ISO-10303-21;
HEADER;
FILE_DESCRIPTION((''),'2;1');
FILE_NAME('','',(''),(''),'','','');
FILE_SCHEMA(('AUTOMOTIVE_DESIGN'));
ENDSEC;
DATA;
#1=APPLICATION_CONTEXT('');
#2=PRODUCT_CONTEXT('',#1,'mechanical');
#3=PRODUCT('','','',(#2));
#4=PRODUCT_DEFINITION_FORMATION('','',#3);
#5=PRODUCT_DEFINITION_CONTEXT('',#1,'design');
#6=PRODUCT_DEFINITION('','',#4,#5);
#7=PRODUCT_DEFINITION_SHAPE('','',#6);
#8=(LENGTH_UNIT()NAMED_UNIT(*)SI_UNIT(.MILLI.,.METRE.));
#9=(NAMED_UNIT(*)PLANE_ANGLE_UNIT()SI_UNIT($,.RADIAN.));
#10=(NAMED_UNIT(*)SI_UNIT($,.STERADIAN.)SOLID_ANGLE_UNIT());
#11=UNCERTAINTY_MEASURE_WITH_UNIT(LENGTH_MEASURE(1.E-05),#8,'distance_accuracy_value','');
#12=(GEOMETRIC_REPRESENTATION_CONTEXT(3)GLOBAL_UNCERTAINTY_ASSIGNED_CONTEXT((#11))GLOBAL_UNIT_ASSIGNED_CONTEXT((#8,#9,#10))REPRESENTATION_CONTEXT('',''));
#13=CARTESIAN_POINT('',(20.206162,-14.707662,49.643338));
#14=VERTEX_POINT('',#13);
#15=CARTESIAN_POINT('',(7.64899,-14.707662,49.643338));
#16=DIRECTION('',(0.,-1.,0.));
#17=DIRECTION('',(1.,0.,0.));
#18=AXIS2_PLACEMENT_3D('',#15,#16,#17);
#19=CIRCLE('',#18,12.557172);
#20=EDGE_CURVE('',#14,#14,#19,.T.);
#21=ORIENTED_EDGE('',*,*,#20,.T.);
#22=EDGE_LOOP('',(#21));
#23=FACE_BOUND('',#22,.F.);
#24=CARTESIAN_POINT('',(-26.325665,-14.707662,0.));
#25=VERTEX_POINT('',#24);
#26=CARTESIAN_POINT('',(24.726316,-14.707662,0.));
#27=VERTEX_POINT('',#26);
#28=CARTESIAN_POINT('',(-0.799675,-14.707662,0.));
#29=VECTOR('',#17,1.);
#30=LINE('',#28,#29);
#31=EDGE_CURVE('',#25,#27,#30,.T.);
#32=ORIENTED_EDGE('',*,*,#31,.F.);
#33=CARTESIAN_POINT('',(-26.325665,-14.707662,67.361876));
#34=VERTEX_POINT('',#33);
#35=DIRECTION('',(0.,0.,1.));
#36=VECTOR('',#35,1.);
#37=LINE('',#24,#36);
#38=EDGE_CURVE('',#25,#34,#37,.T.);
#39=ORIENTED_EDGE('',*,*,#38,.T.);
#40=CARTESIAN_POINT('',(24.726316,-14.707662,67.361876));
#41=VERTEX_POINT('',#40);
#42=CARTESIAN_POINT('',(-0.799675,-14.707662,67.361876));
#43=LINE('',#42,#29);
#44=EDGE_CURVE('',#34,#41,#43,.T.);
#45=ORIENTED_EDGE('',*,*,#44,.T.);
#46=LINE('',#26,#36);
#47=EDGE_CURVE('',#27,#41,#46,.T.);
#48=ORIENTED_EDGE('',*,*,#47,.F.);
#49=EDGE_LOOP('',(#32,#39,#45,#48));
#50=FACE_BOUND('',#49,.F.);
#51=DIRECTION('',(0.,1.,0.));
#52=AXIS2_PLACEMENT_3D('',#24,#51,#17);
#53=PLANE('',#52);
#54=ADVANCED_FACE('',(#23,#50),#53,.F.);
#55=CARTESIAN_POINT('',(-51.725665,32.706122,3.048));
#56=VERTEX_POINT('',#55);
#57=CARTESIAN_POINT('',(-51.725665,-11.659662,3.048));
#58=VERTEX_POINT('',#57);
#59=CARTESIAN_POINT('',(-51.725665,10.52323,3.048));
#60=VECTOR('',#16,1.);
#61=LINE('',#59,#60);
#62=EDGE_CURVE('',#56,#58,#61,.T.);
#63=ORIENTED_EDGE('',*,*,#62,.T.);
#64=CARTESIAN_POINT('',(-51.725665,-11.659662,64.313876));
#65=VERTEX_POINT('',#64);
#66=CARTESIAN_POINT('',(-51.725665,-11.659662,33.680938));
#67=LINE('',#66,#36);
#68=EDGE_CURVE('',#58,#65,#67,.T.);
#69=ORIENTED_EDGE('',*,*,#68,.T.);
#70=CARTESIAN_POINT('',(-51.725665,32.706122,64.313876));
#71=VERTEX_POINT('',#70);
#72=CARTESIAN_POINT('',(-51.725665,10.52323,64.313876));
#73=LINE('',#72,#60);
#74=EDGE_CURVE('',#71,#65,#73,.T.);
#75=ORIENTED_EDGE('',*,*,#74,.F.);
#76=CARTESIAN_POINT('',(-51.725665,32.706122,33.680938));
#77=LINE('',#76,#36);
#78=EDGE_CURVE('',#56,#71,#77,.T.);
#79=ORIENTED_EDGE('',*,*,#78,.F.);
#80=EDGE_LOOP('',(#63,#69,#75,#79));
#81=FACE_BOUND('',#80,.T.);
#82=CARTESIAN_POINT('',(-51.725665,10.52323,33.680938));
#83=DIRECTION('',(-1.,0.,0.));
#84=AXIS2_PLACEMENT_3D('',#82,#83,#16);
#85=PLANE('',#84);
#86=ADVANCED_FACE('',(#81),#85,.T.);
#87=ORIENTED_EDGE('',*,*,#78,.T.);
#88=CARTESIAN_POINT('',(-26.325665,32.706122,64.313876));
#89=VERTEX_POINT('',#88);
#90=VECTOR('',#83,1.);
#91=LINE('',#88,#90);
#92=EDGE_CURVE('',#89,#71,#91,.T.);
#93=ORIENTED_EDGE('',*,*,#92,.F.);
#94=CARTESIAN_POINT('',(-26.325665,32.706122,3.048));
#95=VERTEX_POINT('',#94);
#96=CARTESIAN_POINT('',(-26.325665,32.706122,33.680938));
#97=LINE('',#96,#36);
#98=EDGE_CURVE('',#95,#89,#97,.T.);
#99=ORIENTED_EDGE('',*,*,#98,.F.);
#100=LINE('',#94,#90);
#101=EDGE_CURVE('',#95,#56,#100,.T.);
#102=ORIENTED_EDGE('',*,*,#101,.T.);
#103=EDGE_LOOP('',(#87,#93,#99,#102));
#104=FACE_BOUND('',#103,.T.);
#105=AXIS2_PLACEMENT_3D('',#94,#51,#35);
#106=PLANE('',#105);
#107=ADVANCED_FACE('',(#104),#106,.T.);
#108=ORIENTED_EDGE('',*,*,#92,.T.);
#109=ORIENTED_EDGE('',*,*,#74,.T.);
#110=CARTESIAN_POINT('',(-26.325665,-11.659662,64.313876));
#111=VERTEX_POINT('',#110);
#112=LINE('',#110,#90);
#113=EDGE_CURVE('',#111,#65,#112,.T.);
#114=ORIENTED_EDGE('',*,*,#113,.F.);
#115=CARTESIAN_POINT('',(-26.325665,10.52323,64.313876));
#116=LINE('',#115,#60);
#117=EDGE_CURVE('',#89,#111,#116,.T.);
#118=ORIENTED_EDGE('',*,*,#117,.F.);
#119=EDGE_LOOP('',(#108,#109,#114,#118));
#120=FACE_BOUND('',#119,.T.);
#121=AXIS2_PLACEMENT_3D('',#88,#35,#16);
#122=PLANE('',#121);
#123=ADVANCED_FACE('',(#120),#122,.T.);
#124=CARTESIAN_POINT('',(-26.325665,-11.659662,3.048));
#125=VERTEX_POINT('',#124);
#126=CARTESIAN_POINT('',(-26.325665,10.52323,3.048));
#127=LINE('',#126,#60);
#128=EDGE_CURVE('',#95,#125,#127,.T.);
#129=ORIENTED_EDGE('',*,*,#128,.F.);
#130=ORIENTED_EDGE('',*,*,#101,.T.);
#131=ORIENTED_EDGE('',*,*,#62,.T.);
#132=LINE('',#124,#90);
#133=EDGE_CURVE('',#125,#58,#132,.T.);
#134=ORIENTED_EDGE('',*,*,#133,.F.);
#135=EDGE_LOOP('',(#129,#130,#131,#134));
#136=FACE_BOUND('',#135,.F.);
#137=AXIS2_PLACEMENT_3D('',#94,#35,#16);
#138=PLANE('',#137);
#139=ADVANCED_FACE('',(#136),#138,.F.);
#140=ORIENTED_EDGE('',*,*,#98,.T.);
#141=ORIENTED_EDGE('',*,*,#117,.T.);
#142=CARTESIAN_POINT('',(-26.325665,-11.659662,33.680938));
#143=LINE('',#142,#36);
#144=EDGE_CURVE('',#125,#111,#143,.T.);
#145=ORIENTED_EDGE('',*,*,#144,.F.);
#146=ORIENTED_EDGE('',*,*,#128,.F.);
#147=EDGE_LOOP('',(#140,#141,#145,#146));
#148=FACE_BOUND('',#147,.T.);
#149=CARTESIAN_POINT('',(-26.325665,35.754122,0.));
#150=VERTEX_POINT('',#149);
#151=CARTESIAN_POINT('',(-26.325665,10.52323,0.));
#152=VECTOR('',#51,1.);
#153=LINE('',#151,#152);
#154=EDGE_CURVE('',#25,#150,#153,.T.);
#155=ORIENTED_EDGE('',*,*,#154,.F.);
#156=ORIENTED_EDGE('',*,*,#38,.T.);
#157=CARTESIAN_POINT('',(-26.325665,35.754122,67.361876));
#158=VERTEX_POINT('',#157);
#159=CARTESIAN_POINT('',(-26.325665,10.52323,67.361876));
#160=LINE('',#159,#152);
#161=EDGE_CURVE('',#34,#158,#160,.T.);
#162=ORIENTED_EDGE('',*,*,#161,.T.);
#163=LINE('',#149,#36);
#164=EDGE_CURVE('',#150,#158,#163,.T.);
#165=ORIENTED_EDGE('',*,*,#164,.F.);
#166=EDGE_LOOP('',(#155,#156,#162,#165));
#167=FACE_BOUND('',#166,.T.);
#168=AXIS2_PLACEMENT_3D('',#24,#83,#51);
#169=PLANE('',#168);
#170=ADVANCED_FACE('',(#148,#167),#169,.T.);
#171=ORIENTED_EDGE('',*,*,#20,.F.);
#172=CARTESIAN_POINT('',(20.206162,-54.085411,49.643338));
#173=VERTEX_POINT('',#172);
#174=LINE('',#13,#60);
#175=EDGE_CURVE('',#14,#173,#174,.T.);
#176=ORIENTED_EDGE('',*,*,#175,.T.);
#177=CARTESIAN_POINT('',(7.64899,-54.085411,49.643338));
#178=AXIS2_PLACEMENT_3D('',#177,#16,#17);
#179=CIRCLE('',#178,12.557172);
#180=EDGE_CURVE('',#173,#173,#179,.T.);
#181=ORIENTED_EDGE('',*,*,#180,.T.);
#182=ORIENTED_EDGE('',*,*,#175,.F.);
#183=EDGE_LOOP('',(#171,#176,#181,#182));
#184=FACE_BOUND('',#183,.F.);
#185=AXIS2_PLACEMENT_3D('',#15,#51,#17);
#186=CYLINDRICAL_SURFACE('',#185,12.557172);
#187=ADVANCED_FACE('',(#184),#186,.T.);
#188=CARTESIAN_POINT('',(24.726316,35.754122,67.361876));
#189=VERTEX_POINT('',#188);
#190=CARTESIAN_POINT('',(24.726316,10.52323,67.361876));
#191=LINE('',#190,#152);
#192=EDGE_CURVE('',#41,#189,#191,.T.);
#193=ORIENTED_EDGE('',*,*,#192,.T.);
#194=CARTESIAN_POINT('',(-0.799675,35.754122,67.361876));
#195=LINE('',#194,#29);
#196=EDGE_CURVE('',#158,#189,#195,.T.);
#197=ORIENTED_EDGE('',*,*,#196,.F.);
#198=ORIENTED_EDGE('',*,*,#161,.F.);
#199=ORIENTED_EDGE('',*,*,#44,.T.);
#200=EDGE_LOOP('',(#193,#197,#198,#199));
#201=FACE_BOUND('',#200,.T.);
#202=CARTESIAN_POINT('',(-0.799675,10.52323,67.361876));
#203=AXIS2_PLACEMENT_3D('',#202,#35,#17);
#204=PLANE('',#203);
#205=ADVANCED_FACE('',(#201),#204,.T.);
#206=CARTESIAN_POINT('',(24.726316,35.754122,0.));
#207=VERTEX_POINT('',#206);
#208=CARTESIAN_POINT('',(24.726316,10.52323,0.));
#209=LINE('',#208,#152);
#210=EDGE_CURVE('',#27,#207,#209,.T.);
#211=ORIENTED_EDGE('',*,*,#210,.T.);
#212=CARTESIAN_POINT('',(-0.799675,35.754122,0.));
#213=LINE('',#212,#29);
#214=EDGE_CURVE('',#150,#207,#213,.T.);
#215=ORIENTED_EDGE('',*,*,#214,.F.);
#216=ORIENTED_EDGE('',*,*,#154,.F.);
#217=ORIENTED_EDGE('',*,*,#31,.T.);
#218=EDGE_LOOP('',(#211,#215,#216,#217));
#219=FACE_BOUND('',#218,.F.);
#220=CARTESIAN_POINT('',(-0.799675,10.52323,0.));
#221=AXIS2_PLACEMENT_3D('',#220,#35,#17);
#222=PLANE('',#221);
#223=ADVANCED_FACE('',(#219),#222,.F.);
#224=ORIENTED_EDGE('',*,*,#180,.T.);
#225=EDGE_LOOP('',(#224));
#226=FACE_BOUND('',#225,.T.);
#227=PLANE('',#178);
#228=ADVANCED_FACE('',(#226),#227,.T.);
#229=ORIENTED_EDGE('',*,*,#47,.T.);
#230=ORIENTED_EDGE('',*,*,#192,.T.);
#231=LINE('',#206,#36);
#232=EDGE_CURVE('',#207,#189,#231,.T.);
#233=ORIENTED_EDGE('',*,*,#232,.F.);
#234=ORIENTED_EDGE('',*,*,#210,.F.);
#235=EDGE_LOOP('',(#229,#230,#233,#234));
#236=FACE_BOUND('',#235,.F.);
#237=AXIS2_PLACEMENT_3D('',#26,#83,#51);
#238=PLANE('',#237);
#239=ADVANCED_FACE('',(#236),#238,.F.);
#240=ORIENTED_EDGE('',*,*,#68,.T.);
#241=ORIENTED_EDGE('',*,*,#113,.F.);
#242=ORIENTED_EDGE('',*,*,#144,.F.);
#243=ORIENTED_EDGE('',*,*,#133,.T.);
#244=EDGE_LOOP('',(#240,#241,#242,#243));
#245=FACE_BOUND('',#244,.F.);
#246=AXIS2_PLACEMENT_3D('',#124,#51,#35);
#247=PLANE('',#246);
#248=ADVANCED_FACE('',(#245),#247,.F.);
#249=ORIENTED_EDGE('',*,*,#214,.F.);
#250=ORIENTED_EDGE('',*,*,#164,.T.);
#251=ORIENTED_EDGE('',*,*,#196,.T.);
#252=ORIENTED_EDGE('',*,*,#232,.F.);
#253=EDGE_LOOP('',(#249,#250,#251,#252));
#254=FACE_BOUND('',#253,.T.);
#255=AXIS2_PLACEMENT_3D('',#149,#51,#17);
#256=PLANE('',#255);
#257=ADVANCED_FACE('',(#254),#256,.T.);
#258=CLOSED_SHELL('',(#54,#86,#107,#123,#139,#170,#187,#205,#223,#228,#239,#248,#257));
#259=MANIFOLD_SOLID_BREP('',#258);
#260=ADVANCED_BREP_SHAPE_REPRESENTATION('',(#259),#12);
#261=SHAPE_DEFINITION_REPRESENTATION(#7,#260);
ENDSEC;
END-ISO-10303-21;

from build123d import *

# Parameters (mm, degrees)
F0_W     = 51.0519817472
F0_H     = 50.4617840052
F1_DEPTH = 67.3618763685
F2_R     = 12.5571720672
F3_DEPTH = 39.3777489662
F4_W     = 44.3657840052
F4_H     = 61.2658763685
F5_DEPTH = 25.4


with BuildPart() as f1:
    # F0 (on Top) → F1 (new body)
    with BuildSketch(Plane.XY):
        with Locations((-0.7996745408, 10.5232298374)):
            Rectangle(F0_W, F0_H)
    extrude(amount=F1_DEPTH)

    # F2 (on face) → F3 (join)
    with BuildSketch(Plane.XZ.offset(14.7076621652)):
        with Locations((7.6489895582, 49.6433377266)):
            Circle(F2_R)
    extrude(amount=F3_DEPTH)

    # F4 (on face) → F5 (join)
    with BuildSketch(Plane(origin=(-26.3256654143, 0, 0), x_dir=(0, -1, 0), z_dir=(-1, 0, 0))):
        with Locations((-10.5232298374, 33.6809381843)):
            Rectangle(F4_W, F4_H)
    extrude(amount=F5_DEPTH)


solid = f1.part
